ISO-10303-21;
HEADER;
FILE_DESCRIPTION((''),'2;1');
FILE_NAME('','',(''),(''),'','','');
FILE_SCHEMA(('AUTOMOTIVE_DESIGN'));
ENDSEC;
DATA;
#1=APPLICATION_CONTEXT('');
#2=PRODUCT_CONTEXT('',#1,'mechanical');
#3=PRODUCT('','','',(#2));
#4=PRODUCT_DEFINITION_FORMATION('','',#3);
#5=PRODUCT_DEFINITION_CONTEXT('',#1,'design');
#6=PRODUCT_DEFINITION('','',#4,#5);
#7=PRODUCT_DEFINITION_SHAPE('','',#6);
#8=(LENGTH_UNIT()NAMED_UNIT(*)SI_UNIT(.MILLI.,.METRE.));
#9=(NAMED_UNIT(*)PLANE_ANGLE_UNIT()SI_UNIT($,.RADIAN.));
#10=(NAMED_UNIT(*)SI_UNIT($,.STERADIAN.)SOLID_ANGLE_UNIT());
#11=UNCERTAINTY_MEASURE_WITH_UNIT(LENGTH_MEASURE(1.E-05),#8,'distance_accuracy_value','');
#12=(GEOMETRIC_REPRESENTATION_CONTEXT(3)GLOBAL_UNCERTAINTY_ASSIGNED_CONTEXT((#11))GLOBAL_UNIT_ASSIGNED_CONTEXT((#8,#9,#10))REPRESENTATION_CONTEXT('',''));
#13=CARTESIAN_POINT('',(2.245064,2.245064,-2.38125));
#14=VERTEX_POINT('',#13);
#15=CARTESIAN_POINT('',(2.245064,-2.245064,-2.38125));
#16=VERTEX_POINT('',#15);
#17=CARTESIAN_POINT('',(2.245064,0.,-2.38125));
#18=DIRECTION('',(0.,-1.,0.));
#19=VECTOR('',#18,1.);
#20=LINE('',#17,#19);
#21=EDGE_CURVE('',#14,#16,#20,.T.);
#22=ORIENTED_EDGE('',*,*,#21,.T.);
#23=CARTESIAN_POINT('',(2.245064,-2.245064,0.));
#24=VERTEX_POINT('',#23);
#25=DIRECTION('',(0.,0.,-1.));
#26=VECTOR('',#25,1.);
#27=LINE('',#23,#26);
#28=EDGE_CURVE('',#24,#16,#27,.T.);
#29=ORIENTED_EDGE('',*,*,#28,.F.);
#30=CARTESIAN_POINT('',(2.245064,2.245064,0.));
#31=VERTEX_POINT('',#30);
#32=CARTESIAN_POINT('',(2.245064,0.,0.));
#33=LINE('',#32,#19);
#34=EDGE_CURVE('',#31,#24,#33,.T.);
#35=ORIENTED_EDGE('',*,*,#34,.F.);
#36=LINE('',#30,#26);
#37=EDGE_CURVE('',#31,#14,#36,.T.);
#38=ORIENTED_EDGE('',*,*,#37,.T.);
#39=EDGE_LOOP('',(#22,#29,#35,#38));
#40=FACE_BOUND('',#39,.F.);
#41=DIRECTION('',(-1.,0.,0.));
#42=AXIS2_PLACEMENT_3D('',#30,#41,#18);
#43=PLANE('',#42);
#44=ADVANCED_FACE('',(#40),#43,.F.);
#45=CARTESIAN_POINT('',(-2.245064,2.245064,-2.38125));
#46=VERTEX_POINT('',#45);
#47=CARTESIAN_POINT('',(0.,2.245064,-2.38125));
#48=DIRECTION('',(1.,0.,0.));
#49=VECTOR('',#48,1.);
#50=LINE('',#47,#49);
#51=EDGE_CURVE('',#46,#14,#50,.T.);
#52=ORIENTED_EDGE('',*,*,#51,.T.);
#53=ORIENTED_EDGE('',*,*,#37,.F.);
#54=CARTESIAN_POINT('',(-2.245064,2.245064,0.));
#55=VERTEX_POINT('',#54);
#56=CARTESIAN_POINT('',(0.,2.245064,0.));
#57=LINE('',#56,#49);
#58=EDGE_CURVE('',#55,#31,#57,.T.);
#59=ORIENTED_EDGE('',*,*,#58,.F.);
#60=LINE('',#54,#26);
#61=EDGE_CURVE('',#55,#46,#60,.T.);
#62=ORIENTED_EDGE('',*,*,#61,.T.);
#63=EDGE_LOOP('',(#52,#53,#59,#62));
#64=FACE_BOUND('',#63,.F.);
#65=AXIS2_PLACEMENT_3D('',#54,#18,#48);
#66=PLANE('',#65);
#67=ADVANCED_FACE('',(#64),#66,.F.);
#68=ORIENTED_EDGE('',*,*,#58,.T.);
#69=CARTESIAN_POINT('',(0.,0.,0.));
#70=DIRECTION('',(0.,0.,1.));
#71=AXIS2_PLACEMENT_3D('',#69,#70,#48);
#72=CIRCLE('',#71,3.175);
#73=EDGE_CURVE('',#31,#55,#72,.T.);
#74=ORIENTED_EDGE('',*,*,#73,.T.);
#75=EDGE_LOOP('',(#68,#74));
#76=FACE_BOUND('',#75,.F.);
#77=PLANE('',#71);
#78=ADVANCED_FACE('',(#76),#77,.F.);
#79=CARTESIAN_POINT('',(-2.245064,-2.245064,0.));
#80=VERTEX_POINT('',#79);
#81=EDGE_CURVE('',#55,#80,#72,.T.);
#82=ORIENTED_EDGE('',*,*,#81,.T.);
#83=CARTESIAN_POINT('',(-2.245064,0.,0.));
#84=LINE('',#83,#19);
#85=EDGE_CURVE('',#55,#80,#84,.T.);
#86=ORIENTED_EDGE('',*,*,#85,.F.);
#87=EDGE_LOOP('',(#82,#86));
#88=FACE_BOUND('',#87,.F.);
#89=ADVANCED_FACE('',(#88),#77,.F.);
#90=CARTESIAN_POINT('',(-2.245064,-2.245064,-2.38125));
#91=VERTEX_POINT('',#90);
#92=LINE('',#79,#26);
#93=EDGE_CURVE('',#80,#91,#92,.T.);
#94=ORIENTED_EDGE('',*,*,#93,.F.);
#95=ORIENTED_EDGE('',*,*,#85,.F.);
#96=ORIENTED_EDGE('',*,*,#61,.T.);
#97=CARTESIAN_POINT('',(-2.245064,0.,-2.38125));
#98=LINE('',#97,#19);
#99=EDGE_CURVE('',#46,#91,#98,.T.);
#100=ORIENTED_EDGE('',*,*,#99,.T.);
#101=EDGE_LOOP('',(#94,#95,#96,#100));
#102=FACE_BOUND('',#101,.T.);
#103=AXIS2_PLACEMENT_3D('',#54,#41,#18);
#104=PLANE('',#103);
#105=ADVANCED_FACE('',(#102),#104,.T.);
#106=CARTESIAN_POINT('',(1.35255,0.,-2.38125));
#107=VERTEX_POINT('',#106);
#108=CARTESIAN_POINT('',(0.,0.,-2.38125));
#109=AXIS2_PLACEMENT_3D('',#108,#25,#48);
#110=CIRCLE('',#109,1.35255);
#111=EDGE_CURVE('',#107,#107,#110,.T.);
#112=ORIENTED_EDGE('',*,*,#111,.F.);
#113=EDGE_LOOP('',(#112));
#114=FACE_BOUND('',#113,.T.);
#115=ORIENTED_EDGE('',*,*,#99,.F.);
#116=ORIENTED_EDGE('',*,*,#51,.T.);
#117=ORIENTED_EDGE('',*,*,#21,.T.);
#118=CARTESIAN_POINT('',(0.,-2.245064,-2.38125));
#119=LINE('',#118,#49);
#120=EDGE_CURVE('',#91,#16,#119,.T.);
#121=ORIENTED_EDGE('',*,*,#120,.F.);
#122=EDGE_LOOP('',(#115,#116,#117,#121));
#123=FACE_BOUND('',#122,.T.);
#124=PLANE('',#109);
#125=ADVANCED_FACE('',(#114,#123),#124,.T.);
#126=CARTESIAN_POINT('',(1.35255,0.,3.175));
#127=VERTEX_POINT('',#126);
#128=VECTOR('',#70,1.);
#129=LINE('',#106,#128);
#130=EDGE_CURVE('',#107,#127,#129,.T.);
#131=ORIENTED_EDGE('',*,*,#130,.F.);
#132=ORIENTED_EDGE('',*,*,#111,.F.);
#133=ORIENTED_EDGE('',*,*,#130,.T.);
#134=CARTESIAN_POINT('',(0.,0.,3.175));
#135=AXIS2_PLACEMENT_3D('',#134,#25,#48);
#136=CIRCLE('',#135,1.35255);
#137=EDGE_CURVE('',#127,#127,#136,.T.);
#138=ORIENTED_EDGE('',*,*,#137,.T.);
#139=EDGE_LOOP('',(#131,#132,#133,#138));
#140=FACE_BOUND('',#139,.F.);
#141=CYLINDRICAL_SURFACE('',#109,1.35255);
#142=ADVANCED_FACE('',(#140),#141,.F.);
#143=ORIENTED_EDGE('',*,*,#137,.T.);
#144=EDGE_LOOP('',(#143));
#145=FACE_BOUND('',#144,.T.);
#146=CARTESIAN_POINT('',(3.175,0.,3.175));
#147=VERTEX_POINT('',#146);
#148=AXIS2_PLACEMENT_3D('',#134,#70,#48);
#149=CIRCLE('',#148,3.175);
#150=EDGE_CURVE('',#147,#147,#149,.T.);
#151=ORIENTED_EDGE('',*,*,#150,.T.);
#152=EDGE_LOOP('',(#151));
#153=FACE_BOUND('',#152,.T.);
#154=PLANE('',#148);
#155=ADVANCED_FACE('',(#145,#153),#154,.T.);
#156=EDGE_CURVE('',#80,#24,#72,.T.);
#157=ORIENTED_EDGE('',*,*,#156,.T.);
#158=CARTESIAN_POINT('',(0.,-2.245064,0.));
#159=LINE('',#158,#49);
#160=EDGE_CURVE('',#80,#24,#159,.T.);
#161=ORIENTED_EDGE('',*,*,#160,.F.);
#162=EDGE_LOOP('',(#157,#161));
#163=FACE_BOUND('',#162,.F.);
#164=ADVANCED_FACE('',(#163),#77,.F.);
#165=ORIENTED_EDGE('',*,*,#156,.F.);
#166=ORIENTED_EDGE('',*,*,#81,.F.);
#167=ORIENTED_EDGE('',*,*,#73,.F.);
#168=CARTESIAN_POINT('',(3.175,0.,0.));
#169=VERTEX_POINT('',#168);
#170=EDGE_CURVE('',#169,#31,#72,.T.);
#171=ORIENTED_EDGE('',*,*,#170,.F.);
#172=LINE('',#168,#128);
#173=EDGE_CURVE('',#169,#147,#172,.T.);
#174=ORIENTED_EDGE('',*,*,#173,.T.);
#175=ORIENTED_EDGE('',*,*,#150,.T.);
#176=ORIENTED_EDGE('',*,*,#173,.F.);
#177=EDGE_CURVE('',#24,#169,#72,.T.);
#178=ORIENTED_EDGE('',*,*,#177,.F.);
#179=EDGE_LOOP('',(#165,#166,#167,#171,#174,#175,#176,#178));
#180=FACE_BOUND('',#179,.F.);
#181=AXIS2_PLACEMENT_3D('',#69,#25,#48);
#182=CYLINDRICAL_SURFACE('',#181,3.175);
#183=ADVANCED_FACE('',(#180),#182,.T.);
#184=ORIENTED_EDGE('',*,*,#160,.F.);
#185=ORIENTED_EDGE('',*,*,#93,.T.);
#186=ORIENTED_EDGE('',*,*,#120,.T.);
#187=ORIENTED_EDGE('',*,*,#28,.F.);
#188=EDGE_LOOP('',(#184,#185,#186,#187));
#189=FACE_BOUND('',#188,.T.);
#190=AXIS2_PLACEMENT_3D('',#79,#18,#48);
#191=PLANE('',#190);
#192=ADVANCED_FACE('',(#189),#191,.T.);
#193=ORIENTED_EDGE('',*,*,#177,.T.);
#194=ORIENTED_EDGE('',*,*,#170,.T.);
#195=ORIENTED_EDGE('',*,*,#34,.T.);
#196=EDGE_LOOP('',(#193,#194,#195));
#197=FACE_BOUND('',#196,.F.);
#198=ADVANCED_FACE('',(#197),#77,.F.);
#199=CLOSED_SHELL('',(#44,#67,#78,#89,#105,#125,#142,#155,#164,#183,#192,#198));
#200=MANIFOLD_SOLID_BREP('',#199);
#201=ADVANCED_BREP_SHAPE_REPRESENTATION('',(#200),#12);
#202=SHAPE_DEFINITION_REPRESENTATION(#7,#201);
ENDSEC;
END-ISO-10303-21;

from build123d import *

# Parameters (mm, degrees)
F0_R     = 3.175
F1_DEPTH = 3.175
F2_W     = 4.490128
F2_H     = 4.490128
F3_DEPTH = 2.38125
F4_R     = 1.35255
F5_DEPTH = 6.35


with BuildPart() as f1:
    # F0 (on Top) → F1 (new body)
    with BuildSketch(Plane.XY):
        Circle(F0_R)
    extrude(amount=F1_DEPTH)

    # F2 (on face) → F3 (join)
    with BuildSketch(Plane(origin=(0, 0, 0), x_dir=(1, 0, 0), z_dir=(0, 0, -1))):
        Rectangle(F2_W, F2_H)
    extrude(amount=F3_DEPTH)

    # F4 (on face) → F5 (cut)
    with BuildSketch(Plane(origin=(0, 0, -2.38125), x_dir=(1, 0, 0), z_dir=(0, 0, -1))):
        Circle(F4_R)
    extrude(amount=-F5_DEPTH, mode=Mode.SUBTRACT)


solid = f1.part
